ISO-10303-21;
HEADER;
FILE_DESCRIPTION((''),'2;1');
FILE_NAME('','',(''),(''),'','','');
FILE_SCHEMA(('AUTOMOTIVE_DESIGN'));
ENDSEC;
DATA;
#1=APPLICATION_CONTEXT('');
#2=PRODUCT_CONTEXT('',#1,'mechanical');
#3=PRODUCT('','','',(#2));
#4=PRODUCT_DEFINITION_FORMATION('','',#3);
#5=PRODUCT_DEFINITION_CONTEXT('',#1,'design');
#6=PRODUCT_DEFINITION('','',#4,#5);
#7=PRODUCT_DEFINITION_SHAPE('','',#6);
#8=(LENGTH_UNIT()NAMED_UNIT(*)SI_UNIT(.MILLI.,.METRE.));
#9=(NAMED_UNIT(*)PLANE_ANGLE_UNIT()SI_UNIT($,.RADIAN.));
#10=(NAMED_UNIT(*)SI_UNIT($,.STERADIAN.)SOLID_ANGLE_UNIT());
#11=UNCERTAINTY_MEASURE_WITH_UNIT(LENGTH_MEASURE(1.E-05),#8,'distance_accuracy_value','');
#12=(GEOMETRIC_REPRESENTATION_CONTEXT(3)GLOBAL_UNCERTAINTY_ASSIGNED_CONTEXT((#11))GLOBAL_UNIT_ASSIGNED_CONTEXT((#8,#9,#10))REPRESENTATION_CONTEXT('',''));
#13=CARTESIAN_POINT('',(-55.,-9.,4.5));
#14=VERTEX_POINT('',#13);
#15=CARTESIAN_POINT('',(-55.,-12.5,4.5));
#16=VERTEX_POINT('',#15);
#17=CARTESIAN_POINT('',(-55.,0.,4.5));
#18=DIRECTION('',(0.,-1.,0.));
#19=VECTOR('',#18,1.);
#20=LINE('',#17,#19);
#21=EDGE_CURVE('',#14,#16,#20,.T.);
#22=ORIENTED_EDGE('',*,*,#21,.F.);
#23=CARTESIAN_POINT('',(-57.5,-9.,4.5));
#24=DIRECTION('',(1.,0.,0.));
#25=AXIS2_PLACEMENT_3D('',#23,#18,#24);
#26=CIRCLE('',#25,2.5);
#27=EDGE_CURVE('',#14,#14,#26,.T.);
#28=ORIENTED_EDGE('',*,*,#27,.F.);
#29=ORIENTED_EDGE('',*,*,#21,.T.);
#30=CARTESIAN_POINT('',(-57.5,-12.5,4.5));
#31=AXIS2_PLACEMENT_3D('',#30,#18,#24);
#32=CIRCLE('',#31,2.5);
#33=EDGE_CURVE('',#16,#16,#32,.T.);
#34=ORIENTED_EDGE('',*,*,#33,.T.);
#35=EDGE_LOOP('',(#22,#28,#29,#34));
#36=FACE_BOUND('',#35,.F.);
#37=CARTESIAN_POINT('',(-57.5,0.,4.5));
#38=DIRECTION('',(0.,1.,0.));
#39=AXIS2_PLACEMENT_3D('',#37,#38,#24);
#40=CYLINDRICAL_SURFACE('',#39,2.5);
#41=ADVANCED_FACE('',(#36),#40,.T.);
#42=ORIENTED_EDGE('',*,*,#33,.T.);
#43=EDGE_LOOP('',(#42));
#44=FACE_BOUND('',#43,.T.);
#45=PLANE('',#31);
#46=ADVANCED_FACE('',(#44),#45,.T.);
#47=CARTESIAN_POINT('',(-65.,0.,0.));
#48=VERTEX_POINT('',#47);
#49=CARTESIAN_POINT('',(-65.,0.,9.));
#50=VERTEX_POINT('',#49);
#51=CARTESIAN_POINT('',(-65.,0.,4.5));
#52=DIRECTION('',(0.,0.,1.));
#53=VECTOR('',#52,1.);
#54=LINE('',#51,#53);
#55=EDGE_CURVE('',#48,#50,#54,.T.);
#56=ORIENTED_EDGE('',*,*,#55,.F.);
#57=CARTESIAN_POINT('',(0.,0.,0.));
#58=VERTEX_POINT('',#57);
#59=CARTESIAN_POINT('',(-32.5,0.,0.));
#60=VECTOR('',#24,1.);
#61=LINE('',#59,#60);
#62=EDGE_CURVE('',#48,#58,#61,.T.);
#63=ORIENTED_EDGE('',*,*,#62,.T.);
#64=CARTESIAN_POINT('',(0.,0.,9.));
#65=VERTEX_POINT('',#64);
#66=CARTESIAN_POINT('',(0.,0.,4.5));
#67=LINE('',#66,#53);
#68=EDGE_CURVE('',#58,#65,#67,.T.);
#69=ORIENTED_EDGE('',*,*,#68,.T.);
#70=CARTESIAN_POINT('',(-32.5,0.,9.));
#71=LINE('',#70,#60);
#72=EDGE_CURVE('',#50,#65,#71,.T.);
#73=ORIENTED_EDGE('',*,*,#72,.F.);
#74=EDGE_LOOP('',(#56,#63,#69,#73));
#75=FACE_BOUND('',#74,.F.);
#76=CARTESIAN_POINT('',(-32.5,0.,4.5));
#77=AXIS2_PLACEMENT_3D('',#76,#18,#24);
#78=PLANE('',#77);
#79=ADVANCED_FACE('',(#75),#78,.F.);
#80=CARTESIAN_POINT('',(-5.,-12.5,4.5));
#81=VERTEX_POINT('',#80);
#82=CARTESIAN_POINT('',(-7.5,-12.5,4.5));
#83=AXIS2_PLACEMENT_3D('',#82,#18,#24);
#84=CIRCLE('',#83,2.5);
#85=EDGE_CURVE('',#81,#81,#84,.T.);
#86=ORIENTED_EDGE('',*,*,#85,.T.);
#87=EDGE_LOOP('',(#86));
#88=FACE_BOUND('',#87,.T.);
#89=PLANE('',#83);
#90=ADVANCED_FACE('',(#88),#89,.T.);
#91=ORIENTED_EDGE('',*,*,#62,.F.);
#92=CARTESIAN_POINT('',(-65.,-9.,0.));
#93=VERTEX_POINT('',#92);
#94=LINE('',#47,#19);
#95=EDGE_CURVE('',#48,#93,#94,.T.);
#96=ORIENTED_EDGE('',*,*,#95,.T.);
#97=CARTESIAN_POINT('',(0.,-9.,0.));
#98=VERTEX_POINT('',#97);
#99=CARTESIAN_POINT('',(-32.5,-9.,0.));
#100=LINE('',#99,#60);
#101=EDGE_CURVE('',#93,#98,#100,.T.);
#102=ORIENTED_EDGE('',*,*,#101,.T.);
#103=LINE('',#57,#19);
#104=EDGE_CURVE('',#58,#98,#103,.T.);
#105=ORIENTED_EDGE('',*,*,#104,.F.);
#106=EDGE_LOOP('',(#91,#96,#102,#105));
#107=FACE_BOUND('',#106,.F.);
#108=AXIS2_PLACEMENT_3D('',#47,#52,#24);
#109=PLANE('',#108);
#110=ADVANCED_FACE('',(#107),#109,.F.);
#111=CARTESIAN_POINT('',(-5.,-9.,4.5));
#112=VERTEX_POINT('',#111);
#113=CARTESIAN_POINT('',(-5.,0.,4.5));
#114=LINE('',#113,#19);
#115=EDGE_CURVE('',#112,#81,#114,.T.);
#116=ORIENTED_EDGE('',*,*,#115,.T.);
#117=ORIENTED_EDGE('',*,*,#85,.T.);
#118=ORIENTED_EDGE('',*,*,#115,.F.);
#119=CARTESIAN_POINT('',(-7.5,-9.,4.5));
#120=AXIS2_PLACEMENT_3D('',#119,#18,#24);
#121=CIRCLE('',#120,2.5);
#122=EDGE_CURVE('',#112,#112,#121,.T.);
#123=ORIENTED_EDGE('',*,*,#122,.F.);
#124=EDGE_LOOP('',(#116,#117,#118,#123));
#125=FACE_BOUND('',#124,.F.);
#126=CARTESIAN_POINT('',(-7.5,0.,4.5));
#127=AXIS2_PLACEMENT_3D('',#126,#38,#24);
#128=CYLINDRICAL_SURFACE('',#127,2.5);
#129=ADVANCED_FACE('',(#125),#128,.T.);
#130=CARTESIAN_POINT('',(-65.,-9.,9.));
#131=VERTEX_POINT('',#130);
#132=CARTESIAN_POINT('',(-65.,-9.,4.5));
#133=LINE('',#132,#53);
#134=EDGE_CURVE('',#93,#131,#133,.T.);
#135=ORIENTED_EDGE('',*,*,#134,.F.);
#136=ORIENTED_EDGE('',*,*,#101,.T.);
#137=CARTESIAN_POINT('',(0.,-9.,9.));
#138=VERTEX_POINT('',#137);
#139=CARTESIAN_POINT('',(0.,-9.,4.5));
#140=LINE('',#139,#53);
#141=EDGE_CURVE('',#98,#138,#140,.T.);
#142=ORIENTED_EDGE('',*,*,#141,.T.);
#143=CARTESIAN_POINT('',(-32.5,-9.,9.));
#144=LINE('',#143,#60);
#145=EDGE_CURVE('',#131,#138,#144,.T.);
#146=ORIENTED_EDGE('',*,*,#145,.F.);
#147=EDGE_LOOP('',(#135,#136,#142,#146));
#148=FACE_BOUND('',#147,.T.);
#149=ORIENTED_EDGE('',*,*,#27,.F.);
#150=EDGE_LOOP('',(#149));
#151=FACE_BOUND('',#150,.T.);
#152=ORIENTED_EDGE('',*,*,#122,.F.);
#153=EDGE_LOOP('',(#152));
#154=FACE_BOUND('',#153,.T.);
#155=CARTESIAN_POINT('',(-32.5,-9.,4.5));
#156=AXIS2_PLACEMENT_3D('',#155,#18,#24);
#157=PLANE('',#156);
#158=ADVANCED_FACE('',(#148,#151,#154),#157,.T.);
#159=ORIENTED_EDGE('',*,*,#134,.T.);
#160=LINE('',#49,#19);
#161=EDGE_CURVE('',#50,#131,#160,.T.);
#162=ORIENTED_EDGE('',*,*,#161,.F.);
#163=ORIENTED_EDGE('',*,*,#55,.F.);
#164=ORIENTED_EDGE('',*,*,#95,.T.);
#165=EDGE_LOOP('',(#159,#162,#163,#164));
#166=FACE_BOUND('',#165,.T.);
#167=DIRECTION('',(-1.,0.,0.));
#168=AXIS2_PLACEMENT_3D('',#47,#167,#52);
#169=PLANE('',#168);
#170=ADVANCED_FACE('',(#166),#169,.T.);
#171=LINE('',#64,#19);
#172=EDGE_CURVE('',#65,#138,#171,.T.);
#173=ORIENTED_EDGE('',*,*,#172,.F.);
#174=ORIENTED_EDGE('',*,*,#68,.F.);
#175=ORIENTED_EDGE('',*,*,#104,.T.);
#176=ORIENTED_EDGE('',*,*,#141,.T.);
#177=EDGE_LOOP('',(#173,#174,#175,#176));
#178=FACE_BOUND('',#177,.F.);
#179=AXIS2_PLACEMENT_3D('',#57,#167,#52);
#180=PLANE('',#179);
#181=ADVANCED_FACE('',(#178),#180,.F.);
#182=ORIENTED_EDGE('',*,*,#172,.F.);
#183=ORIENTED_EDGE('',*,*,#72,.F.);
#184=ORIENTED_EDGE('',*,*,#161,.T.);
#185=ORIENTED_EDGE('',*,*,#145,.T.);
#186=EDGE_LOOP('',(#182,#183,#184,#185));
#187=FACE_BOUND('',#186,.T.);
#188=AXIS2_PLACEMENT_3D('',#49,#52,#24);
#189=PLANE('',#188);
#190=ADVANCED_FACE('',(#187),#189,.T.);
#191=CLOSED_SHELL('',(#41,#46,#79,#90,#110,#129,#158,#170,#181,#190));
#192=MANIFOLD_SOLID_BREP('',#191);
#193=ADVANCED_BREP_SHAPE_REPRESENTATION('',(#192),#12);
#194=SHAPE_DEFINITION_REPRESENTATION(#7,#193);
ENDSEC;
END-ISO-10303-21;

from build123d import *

# Parameters (mm, degrees)
F0_W     = 65
F0_H     = 9
F0_R     = 2.5
F1_DEPTH = 9
F2_DEPTH = 12.5


with BuildPart() as f1:
    # F0 (on Front) → F1 (new body)
    with BuildSketch(Plane.XZ):
        with Locations((-32.5, 4.5)):
            Rectangle(F0_W, F0_H)
        with Locations((-57.5, 4.5)):
            Circle(F0_R, mode=Mode.SUBTRACT)
        with Locations((-7.5, 4.5)):
            Circle(F0_R, mode=Mode.SUBTRACT)
    extrude(amount=F1_DEPTH)

    # F0 (on Front) → F2 (join)
    with BuildSketch(Plane.XZ):
        with Locations((-57.5, 4.5)):
            Circle(F0_R)
        with Locations((-7.5, 4.5)):
            Circle(F0_R)
    extrude(amount=F2_DEPTH)


solid = f1.part
